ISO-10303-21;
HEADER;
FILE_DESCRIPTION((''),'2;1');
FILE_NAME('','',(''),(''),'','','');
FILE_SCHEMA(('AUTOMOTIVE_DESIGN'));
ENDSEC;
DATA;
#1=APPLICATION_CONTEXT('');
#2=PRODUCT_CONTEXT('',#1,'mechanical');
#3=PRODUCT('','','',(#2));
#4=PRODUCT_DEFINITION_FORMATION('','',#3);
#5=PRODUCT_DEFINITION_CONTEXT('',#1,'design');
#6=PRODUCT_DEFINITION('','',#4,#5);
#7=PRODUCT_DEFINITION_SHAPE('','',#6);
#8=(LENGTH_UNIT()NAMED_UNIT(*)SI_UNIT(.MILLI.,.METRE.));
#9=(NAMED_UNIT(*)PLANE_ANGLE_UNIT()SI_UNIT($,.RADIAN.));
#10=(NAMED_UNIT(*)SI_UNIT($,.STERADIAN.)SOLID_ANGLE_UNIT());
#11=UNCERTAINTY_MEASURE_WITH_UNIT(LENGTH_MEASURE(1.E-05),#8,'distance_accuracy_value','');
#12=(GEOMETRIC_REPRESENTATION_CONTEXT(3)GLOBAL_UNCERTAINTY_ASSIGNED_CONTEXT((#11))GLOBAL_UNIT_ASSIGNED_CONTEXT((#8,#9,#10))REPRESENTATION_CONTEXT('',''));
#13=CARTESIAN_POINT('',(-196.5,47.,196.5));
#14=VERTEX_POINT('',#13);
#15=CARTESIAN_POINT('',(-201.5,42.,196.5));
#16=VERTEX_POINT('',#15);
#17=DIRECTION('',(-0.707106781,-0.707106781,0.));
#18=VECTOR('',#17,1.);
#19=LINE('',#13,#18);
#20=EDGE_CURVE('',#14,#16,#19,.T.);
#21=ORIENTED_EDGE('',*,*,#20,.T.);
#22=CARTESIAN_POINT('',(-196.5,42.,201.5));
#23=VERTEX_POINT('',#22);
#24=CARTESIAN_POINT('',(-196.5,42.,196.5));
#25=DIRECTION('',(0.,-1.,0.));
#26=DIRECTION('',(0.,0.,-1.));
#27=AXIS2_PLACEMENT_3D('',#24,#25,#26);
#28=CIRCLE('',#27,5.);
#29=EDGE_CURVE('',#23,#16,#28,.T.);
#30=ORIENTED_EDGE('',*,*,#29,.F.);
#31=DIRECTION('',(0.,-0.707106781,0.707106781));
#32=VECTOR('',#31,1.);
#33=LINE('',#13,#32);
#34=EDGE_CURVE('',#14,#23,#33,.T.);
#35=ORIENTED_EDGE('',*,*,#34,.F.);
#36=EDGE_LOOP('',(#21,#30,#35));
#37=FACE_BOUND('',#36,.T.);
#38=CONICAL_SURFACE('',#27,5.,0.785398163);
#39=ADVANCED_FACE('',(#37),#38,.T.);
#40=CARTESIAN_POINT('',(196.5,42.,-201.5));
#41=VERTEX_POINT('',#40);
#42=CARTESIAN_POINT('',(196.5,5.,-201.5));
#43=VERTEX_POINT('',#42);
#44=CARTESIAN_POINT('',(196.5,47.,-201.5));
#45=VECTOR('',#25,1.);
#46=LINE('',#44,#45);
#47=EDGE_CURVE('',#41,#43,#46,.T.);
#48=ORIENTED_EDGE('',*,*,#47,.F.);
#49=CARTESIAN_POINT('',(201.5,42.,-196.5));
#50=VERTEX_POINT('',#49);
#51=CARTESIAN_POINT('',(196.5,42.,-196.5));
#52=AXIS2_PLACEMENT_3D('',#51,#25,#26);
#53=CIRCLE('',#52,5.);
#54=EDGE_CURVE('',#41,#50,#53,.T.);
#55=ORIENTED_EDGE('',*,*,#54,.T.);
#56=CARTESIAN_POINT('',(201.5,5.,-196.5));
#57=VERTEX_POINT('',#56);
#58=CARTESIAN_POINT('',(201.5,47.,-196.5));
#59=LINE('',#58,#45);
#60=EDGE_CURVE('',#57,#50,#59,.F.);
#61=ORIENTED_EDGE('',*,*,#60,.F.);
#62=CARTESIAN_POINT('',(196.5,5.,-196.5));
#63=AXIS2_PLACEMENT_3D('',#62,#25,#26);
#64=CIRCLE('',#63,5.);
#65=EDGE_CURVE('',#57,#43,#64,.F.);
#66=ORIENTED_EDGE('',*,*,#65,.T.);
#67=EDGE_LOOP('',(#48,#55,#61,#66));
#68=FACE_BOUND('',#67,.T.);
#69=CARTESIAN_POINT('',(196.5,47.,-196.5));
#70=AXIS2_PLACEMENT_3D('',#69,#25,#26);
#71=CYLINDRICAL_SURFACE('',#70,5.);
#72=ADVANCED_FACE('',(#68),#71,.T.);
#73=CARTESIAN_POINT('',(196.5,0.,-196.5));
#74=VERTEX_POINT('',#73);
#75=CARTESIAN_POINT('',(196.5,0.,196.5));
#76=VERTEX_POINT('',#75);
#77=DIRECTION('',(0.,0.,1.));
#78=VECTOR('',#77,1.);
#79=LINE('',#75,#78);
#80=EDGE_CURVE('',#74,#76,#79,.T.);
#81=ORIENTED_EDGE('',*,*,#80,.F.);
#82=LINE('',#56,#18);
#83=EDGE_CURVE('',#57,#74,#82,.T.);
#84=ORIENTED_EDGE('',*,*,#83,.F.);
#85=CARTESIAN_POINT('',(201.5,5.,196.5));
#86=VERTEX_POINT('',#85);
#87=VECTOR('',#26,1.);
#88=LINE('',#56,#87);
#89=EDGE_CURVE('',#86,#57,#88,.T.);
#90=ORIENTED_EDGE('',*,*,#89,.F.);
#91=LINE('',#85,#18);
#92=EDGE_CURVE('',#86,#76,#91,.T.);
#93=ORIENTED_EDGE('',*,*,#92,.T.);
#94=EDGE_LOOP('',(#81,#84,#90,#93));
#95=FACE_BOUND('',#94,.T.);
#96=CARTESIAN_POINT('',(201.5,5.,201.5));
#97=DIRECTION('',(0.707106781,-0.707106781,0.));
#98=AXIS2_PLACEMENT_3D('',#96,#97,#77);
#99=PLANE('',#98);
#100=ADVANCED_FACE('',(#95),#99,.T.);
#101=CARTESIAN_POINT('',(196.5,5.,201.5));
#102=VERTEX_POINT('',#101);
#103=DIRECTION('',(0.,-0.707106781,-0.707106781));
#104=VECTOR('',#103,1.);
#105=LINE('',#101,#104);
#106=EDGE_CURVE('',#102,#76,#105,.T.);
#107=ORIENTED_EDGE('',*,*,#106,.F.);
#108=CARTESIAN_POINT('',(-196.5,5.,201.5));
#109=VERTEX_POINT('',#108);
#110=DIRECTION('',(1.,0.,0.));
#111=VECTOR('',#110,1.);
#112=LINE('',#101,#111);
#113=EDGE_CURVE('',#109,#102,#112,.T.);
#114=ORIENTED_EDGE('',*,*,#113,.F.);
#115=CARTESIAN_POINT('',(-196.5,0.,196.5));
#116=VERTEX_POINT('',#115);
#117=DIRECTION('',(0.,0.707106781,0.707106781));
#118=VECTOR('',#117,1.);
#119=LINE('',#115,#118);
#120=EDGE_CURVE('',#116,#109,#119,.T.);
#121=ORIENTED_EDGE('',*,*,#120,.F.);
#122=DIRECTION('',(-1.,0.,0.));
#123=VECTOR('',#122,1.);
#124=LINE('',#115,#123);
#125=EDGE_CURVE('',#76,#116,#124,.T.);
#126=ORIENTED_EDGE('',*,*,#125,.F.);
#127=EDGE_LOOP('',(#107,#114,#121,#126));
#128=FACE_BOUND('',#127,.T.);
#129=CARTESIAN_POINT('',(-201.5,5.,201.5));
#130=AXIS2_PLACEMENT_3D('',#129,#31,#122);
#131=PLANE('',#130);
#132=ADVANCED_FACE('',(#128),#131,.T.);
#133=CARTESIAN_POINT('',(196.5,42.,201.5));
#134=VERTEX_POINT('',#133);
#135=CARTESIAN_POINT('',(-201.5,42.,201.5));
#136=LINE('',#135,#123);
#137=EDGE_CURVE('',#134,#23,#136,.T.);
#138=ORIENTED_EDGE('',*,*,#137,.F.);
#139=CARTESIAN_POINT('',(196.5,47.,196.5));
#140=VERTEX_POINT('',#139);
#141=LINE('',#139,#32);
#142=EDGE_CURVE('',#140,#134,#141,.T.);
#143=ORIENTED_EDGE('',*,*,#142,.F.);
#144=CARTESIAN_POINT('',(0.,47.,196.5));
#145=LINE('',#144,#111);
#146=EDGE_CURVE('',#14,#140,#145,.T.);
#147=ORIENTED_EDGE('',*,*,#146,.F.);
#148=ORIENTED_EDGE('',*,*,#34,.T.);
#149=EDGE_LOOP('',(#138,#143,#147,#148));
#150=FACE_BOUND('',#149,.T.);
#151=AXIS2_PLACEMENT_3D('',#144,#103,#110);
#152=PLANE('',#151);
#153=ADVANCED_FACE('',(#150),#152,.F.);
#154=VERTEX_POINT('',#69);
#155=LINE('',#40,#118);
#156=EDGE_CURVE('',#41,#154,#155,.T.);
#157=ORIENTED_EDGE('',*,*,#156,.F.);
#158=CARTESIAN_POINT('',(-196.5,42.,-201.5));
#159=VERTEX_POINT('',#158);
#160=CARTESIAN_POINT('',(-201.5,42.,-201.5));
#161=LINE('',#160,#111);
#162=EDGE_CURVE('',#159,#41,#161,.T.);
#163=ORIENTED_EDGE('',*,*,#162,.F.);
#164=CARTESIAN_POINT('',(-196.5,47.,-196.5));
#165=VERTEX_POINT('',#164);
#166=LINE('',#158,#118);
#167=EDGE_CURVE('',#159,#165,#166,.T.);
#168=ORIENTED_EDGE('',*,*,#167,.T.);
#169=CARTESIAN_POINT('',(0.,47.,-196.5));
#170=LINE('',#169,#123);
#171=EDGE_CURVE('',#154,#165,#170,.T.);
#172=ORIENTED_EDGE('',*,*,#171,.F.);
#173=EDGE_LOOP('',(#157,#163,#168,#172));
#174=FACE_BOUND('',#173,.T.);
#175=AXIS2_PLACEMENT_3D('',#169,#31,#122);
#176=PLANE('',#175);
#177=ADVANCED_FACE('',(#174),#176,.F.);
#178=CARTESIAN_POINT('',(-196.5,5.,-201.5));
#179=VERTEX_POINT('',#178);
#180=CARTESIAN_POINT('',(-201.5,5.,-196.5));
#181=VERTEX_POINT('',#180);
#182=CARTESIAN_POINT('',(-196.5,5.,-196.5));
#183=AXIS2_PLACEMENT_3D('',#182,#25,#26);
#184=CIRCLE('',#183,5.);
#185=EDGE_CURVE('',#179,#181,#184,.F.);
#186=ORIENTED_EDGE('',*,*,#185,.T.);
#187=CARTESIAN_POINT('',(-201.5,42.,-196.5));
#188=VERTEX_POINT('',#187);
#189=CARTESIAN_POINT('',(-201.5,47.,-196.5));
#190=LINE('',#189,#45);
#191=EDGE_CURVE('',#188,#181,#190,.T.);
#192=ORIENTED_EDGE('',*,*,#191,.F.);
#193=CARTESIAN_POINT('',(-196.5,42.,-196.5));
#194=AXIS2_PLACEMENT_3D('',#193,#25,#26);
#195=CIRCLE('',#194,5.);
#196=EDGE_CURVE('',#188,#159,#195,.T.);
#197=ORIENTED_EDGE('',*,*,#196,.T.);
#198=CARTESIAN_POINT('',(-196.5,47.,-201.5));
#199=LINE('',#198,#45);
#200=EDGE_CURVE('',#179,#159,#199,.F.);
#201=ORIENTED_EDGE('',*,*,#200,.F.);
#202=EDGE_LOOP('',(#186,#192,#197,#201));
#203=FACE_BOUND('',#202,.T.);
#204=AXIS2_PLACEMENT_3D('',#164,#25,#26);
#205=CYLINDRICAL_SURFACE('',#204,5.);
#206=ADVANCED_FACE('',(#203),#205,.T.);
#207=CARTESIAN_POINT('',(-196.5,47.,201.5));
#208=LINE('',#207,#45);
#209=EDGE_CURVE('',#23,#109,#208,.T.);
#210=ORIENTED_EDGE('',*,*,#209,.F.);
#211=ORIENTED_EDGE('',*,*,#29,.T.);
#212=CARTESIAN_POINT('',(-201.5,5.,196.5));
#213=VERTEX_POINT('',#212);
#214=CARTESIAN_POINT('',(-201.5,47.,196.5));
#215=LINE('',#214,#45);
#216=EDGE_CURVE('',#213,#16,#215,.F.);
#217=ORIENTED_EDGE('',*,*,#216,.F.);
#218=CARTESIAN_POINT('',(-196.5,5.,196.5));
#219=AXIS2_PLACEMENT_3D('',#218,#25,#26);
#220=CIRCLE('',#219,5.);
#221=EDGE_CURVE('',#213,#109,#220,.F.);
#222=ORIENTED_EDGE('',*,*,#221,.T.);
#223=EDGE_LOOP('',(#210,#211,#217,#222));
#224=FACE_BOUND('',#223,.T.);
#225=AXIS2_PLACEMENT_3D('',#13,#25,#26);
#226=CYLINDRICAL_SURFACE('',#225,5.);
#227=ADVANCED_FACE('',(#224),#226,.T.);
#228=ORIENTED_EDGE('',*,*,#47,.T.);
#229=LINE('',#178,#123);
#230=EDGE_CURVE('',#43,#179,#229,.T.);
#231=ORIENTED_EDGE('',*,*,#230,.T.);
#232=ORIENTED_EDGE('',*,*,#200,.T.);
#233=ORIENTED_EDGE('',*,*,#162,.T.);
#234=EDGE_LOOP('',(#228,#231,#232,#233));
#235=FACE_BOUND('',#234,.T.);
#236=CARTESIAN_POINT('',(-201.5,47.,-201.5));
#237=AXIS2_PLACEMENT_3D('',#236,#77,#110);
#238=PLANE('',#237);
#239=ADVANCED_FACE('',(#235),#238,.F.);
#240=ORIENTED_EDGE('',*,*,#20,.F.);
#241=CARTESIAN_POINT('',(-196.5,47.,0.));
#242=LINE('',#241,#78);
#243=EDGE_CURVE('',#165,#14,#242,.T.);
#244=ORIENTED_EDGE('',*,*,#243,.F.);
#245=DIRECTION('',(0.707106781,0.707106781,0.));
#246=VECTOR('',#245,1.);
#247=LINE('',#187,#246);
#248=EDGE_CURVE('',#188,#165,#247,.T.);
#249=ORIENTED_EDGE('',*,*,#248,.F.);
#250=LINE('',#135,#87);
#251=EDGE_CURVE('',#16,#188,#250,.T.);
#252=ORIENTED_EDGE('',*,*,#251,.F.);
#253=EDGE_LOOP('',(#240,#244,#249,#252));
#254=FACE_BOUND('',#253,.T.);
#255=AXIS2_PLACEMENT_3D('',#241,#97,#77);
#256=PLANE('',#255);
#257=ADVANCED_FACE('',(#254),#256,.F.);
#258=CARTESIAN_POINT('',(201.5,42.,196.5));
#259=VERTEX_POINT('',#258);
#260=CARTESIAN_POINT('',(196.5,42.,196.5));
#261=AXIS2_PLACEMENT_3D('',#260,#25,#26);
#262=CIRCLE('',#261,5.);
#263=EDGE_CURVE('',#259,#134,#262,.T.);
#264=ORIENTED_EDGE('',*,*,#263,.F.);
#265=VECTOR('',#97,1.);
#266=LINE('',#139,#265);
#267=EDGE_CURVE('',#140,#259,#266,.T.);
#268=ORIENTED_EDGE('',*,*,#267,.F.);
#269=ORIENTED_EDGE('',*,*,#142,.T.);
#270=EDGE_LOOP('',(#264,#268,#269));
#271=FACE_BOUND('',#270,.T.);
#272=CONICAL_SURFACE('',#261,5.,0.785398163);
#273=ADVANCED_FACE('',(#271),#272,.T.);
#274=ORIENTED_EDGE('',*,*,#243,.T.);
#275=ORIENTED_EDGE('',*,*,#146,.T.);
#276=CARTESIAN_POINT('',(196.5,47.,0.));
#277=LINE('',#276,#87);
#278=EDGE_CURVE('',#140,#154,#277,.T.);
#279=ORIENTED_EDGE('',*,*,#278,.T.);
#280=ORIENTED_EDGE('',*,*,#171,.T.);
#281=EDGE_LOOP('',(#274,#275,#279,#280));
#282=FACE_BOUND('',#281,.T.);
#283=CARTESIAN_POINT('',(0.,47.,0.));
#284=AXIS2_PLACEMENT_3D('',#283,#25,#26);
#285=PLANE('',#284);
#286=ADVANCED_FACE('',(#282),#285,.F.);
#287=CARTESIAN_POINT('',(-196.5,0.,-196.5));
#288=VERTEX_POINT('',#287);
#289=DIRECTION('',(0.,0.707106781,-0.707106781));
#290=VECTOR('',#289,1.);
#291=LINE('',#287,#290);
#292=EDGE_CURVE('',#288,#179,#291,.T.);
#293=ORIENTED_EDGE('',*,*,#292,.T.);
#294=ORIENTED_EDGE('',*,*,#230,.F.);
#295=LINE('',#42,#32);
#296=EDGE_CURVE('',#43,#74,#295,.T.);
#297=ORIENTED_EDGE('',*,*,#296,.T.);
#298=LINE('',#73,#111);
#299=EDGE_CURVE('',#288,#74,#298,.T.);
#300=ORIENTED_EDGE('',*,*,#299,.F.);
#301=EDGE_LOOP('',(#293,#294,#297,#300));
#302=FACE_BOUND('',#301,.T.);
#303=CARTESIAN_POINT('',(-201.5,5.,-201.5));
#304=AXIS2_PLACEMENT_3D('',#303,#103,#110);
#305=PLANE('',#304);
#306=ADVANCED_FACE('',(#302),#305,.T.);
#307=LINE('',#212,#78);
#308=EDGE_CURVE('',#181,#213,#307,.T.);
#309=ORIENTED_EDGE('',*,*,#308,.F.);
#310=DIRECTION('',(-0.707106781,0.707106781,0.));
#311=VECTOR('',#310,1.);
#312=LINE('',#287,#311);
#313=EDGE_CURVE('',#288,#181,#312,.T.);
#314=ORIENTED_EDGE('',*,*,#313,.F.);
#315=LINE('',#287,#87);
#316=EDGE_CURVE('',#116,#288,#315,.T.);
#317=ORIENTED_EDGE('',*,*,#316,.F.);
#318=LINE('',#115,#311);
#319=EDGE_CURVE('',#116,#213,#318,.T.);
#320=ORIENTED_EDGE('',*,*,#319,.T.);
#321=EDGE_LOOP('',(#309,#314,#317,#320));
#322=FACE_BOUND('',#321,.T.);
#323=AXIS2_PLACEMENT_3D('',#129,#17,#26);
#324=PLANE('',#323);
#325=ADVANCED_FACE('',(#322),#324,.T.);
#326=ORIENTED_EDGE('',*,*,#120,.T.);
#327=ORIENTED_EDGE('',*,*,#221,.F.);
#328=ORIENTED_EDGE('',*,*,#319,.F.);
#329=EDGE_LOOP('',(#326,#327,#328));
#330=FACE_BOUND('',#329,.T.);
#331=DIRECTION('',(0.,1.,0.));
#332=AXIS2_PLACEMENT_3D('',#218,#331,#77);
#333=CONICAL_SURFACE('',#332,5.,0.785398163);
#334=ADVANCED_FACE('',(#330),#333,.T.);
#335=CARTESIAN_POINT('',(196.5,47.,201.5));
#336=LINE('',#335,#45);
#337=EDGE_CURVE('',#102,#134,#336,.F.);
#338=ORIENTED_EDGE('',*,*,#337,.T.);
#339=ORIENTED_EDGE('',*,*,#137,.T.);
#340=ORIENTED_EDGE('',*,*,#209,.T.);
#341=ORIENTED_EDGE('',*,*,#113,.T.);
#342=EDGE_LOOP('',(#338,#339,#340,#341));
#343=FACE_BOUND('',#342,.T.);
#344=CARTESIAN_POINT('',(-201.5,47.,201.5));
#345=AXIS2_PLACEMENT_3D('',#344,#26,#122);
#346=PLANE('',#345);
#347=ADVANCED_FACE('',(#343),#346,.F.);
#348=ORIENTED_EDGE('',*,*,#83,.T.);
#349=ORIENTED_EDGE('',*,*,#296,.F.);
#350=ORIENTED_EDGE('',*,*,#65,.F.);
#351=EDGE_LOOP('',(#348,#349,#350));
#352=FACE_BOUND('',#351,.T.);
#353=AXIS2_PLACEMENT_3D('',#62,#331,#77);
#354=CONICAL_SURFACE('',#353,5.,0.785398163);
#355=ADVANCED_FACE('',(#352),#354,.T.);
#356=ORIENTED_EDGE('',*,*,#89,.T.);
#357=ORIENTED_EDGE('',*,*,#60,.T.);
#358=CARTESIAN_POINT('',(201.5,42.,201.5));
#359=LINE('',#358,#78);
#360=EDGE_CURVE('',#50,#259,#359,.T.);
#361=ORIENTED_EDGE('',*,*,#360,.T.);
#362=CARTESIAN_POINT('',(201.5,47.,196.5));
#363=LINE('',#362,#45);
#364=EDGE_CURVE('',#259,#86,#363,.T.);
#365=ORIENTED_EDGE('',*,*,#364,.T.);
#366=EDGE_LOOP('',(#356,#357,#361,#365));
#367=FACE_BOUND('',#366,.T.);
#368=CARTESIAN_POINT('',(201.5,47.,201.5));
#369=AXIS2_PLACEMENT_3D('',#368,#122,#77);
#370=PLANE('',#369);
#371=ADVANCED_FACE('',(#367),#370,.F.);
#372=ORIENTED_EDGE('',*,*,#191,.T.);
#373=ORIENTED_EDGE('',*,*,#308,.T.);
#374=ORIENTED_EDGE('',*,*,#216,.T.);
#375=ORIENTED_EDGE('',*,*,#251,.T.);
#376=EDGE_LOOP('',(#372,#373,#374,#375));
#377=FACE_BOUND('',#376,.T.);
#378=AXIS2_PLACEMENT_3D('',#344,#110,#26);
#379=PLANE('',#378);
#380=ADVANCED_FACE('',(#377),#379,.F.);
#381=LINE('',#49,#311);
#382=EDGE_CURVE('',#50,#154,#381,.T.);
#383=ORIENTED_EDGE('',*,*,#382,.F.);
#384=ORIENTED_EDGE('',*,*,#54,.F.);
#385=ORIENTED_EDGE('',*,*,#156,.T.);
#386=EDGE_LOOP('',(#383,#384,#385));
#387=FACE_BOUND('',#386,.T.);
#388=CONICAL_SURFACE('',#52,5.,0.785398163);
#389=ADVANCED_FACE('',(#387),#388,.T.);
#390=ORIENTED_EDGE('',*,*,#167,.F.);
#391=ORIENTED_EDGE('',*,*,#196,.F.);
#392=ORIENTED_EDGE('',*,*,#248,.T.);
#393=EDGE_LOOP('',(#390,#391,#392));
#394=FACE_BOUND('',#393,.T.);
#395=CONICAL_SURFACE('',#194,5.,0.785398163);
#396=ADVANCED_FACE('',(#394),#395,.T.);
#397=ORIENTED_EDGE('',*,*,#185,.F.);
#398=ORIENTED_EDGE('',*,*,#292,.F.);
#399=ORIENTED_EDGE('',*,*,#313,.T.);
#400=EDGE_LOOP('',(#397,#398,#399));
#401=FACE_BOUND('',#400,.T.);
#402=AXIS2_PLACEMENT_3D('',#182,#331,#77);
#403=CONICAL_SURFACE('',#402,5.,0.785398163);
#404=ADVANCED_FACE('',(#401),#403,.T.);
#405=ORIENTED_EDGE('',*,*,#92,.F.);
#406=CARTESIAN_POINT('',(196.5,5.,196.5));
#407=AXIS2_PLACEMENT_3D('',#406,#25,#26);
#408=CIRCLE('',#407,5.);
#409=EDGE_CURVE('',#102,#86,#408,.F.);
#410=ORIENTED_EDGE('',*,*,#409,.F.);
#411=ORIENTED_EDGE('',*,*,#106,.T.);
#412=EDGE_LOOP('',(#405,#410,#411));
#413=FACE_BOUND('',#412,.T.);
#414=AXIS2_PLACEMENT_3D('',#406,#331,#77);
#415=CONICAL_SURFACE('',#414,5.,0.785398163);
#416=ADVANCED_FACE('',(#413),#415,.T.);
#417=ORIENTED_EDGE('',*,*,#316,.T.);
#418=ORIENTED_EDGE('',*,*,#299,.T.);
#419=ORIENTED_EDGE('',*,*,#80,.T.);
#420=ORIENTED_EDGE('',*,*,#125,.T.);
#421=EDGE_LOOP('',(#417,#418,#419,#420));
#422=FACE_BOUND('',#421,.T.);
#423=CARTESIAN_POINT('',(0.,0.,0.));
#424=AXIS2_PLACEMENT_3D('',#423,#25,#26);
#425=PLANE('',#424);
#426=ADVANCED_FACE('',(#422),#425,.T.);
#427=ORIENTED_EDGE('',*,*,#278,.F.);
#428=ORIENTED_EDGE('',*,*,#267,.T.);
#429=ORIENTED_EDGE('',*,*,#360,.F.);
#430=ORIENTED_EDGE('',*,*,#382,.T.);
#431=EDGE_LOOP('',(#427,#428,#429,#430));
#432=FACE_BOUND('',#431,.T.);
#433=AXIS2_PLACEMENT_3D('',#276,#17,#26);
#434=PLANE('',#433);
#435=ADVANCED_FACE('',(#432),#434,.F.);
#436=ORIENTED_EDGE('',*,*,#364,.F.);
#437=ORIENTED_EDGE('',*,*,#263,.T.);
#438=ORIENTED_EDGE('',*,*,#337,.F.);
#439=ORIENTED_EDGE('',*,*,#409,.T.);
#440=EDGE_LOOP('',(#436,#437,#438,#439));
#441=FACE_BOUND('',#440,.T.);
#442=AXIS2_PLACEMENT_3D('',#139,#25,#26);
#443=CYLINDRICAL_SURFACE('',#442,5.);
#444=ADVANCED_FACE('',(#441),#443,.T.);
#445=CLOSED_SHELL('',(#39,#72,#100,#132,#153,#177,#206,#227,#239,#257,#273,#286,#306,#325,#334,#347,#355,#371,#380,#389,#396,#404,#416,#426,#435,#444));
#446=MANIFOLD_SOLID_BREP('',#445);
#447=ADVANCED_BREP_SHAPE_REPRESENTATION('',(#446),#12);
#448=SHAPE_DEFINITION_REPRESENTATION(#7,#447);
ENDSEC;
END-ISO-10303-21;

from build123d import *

# Parameters (mm, degrees)
SKETCH1_W           = 403
SKETCH1_H           = 403
BOSS_EXTRUDE1_DEPTH = 47
FILLET1_R           = 5
CHAMFER1_SIZE       = 5


with BuildPart() as part:
    # Sketch1 → Boss-Extrude1 (new body)
    with BuildSketch(Plane(origin=(0, 0, 0), x_dir=(1, 0, 0), z_dir=(0, 1, 0))):
        Rectangle(SKETCH1_W, SKETCH1_H)
    extrude(amount=BOSS_EXTRUDE1_DEPTH)

    # Fillet1
    fillet1_edges = [part.edges().sort_by_distance(p)[0] for p in [
        (201.5, 23.5, 201.5),
        (-201.5, 23.5, 201.5),
        (-201.5, 23.5, -201.5),
        (201.5, 23.5, -201.5),
    ]]
    fillet(fillet1_edges, radius=FILLET1_R)

    # Chamfer1
    chamfer1_edges = [part.edges().sort_by_distance(p)[0] for p in [
        (0, 0, -201.5),
        (0, 47, -201.5),
        (201.5, 0, 0),
        (0, 0, 201.5),
        (-201.5, 0, 0),
        (-200.035533906, 0, 200.035533906),
        (-200.035533906, 0, -200.035533906),
        (200.035533906, 0, 200.035533906),
        (200.035533906, 0, -200.035533906),
        (201.5, 47, 0),
        (-201.5, 47, 0),
        (0, 47, 201.5),
        (-200.035533906, 47, 200.035533906),
        (-200.035533906, 47, -200.035533906),
        (200.035533906, 47, 200.035533906),
        (200.035533906, 47, -200.035533906),
    ]]
    chamfer(chamfer1_edges, length=CHAMFER1_SIZE)


solid = part.part
